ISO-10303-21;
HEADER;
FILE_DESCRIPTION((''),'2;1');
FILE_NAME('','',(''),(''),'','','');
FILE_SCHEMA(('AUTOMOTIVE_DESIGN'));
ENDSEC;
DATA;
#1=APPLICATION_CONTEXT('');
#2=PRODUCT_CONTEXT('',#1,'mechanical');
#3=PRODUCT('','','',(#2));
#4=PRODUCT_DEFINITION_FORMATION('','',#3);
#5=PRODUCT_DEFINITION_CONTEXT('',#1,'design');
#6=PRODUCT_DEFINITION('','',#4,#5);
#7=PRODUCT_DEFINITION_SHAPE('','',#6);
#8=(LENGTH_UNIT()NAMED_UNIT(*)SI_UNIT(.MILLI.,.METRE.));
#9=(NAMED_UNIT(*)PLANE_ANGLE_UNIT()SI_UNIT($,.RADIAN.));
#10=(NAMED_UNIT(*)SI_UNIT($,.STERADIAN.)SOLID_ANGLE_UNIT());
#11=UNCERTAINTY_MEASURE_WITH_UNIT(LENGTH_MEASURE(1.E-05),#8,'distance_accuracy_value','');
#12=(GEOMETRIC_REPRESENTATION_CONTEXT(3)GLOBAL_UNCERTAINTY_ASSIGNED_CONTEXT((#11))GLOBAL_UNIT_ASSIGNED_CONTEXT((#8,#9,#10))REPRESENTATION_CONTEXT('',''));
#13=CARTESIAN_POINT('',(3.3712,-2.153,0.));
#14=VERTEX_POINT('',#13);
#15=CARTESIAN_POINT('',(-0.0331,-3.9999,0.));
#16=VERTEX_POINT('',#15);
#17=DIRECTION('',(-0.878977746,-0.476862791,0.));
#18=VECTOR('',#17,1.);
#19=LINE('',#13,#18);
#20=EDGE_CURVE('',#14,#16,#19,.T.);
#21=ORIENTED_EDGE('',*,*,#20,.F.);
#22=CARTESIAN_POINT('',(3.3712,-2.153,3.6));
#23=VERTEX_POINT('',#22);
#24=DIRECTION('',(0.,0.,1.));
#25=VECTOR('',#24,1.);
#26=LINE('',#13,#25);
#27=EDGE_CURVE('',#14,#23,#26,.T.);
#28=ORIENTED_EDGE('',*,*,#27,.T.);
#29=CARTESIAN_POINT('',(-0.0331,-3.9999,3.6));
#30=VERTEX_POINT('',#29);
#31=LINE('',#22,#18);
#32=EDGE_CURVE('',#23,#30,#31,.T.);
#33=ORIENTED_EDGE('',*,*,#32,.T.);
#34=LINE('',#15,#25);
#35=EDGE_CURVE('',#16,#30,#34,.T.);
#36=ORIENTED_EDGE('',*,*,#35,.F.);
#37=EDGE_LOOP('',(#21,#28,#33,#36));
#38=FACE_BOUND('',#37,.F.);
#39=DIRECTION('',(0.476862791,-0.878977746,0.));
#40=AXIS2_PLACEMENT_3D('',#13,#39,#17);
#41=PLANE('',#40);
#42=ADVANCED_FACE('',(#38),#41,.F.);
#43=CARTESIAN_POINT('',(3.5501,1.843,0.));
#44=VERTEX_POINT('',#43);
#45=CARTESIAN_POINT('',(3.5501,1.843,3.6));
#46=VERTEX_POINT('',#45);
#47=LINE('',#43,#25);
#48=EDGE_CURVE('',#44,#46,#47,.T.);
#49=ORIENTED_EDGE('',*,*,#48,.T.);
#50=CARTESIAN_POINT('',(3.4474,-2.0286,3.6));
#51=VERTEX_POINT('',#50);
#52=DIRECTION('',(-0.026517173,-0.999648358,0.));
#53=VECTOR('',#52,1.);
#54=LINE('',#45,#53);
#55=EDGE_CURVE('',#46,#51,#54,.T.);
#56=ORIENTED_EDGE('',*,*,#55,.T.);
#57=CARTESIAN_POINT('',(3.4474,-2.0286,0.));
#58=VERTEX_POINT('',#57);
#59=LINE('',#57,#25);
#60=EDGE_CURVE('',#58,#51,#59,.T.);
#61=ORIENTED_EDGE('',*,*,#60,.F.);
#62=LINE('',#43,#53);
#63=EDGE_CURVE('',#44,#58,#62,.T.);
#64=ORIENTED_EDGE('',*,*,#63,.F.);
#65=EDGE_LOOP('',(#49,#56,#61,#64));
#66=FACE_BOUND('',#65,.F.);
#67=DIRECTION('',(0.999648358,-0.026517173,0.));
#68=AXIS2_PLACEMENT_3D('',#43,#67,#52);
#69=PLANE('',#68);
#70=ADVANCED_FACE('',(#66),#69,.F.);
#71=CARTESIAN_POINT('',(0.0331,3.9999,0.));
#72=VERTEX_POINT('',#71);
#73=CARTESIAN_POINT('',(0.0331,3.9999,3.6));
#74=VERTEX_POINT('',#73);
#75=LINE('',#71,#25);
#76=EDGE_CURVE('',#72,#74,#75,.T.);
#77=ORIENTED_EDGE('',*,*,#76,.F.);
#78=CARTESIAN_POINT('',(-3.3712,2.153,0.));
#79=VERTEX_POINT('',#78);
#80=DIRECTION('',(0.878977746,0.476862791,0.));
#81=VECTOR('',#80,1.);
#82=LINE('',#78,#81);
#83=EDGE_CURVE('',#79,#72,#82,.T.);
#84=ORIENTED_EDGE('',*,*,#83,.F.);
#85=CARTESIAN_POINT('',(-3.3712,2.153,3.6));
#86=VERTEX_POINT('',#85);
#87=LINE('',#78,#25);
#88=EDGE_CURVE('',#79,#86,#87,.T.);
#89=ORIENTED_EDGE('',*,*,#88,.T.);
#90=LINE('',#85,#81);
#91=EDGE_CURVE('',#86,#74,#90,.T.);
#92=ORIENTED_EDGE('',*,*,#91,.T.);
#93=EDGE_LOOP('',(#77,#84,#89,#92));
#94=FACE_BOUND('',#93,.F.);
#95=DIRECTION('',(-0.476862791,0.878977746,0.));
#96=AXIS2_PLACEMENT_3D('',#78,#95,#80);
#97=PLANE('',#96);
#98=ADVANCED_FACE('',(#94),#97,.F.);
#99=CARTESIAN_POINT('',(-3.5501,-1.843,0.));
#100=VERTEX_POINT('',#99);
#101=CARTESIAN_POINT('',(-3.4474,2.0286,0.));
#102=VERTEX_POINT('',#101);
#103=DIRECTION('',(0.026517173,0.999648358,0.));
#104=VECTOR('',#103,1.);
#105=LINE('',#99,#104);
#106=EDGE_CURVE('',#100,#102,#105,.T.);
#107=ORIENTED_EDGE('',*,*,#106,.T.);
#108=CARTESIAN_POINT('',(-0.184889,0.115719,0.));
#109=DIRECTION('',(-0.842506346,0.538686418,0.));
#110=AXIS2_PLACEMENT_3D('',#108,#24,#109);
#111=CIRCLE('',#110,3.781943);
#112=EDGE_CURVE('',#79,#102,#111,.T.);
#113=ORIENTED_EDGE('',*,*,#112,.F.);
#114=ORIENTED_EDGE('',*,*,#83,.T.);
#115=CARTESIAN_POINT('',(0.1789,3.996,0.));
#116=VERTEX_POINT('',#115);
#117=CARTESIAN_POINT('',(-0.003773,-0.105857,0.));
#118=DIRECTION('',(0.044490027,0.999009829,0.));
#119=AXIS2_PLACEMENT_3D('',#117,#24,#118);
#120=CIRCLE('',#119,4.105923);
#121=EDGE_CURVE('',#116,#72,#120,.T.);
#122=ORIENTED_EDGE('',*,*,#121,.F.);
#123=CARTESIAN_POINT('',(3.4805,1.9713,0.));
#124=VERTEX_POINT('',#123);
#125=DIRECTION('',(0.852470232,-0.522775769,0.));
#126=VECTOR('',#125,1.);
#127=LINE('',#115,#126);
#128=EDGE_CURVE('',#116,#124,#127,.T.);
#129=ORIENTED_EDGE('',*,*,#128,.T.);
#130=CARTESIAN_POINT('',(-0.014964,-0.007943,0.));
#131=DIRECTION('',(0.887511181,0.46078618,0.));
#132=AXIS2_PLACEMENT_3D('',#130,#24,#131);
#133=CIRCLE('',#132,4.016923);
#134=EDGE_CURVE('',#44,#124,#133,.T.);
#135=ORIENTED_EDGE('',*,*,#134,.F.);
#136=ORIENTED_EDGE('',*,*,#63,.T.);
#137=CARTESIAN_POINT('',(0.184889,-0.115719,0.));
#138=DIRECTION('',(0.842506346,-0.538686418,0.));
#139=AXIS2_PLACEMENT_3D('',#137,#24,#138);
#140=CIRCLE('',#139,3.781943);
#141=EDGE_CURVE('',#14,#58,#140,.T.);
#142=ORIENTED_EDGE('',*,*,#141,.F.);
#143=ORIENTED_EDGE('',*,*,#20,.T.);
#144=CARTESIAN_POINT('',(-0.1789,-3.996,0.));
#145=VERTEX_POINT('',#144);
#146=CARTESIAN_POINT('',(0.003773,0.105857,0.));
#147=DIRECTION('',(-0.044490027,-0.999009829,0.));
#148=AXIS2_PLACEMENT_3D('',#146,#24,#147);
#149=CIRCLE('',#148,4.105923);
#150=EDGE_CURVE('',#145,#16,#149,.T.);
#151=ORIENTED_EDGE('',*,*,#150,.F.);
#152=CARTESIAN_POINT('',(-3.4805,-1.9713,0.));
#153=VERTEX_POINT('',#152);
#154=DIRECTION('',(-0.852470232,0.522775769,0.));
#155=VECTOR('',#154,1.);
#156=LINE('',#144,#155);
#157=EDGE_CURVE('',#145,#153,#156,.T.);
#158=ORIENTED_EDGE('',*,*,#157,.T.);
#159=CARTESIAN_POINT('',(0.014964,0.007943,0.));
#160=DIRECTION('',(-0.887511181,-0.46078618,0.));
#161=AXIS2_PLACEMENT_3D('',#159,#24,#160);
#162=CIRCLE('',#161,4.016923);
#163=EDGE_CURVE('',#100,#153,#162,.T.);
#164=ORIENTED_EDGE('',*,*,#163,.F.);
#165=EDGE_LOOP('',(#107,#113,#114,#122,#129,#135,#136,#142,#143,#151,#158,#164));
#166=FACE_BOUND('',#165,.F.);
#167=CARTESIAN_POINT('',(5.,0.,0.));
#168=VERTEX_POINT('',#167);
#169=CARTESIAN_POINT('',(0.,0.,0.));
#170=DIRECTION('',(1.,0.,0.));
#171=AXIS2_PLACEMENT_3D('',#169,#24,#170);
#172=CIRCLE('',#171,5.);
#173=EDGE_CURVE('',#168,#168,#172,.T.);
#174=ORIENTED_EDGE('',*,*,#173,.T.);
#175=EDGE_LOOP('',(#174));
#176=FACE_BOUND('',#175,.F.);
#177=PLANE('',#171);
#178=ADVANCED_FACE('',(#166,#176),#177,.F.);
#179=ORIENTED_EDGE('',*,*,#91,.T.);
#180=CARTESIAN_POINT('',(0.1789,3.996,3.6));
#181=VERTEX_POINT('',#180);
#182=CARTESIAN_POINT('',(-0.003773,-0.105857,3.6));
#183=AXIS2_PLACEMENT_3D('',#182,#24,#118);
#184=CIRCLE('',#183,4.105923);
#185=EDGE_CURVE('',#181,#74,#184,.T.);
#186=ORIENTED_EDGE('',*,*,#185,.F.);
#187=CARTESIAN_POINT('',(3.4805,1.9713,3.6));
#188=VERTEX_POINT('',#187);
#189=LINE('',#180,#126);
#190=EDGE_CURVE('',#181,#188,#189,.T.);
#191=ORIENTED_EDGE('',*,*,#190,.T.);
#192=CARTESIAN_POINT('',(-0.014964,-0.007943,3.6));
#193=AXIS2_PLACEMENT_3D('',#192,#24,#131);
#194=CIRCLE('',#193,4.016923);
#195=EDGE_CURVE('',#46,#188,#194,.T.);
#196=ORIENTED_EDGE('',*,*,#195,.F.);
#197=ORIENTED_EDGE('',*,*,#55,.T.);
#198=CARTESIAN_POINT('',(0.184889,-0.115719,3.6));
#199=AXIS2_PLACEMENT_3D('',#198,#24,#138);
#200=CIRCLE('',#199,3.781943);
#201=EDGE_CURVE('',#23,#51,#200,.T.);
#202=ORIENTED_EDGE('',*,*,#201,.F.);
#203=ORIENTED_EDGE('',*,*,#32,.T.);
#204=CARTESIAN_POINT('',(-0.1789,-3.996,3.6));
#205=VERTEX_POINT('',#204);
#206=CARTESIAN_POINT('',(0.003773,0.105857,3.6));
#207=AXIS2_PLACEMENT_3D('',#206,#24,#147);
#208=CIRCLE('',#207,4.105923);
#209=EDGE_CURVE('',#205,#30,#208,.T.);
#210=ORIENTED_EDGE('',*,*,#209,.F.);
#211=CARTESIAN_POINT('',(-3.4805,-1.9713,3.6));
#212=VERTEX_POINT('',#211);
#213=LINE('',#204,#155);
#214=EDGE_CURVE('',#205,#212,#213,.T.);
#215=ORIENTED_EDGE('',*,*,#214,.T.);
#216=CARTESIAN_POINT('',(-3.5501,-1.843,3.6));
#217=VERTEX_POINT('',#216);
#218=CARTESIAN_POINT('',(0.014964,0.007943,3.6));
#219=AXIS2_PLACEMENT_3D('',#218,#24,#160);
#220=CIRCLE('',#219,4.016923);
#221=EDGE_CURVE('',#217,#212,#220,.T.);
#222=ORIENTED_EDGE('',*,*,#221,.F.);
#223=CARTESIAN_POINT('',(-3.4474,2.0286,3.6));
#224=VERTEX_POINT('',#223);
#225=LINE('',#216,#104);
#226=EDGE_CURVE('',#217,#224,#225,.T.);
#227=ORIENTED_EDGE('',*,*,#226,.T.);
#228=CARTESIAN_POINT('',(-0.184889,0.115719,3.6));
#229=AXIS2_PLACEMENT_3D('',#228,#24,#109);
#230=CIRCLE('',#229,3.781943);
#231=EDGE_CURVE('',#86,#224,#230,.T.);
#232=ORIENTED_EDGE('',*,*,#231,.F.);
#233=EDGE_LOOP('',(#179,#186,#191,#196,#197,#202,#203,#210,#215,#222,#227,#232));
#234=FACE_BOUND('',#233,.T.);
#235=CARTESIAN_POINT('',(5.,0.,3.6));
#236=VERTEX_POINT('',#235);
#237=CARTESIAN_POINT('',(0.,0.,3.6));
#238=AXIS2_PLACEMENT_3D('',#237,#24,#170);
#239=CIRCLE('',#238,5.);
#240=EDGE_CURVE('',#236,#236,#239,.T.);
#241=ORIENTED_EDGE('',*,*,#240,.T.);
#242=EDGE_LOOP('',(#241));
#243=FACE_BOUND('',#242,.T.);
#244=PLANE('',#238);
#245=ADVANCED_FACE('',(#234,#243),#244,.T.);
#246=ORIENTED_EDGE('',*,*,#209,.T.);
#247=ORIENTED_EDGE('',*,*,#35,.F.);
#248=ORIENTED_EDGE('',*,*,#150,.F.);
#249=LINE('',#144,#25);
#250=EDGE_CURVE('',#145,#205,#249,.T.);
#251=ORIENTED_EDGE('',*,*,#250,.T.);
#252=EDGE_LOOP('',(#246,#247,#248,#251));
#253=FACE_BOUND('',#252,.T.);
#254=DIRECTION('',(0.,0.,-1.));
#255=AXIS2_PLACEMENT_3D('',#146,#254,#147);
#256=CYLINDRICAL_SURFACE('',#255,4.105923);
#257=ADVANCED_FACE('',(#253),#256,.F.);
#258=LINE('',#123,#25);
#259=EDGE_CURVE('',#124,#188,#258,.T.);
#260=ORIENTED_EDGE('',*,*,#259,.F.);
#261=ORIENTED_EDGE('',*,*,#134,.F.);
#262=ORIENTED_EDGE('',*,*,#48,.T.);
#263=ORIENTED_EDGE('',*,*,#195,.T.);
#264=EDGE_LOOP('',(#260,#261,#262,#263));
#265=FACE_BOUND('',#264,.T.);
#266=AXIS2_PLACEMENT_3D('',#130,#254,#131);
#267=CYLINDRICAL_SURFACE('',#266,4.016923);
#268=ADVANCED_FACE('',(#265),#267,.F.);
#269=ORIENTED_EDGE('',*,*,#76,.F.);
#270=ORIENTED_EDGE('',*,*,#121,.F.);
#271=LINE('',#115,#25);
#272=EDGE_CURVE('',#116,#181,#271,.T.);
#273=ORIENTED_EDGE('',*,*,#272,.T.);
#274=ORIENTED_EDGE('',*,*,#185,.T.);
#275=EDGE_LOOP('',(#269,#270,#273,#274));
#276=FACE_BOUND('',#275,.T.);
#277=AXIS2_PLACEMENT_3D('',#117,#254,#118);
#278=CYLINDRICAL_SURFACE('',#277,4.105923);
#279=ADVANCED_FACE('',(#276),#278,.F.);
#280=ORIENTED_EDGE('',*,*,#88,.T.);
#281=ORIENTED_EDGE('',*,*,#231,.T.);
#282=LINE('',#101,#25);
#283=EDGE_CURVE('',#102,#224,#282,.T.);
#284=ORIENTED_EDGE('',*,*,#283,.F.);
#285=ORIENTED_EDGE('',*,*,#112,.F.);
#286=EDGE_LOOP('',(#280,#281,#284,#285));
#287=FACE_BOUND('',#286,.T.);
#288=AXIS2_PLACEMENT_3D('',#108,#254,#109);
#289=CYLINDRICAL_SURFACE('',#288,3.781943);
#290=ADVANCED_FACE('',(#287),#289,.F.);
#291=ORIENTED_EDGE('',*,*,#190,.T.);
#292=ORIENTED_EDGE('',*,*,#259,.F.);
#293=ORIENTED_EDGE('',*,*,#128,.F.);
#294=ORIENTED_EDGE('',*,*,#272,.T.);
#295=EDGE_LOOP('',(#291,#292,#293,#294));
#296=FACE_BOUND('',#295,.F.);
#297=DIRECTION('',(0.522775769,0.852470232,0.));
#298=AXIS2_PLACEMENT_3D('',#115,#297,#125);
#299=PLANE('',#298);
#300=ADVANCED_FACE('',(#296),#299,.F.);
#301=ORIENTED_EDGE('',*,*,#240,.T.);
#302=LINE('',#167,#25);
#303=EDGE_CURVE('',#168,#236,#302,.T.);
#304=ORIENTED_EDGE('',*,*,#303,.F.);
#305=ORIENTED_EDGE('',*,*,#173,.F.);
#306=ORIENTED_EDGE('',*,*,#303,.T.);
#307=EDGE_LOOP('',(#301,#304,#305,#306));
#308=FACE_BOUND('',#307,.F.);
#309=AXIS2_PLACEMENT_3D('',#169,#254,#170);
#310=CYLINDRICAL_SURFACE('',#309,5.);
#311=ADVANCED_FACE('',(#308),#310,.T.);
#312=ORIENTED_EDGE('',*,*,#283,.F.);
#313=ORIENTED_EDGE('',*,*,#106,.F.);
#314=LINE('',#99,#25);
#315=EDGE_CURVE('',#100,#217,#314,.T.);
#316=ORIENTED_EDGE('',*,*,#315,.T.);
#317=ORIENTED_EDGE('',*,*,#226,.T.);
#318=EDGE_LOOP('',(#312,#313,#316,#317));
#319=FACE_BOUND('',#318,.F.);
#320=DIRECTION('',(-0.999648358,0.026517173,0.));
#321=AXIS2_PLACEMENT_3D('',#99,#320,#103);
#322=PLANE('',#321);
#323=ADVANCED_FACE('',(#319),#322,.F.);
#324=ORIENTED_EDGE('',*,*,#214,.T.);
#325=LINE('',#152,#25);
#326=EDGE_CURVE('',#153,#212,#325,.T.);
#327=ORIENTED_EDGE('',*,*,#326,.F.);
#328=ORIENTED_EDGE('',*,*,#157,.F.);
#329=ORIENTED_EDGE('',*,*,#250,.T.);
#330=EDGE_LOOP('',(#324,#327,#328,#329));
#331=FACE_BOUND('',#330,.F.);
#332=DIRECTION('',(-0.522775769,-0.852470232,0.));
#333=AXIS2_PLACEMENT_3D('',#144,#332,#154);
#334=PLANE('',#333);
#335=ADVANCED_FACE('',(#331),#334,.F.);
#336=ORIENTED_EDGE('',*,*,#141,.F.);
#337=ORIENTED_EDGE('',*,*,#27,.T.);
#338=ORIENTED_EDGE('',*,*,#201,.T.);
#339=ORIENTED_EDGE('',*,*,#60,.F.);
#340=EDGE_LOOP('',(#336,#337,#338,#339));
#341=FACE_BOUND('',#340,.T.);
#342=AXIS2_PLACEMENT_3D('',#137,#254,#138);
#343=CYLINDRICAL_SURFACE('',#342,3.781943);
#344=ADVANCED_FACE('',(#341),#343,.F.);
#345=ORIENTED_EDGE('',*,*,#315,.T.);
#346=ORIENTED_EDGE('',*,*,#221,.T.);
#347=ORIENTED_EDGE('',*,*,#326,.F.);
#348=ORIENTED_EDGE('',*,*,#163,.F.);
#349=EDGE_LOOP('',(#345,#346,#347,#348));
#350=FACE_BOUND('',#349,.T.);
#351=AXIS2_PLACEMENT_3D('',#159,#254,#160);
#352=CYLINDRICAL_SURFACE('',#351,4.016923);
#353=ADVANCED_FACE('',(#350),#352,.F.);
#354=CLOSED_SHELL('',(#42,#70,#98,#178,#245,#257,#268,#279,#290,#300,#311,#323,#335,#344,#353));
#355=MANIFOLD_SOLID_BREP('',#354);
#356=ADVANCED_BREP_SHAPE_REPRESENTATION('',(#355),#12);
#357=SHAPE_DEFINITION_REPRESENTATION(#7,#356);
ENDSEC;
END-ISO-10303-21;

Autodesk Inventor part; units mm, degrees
ref_plane "YZ Plane" through (0, 0, 0) normal (1, 0, 0) x (0, 1, 0)
ref_plane "XZ Plane" through (0, 0, 0) normal (0, 1, 0) x (-1, 0, 0)
sketch "Sketch1" plane through (0, 0, 0) normal (0, 0, 1) x (1, 0, 0)
  circle A0 centre (0, 0) radius 1.525
  line L0 (3.3712, -2.153) -> (-0.0331, -3.9999)
  arc A1 (-0.1789, -3.996) -> (-0.0331, -3.9999) centre (0, 0) ccw
  line L1 (-0.1789, -3.996) -> (-3.4805, -1.9713)
  arc A2 (-3.5501, -1.843) -> (-3.4805, -1.9713) centre (0, 0) ccw
  line L2 (-3.5501, -1.843) -> (-3.4474, 2.0286)
  arc A3 (-3.3712, 2.153) -> (-3.4474, 2.0286) centre (0, 0) ccw
  line L3 (-3.3712, 2.153) -> (0.0331, 3.9999)
  arc A4 (0.1789, 3.996) -> (0.0331, 3.9999) centre (0, 0) ccw
  line L4 (0.1789, 3.996) -> (3.4805, 1.9713)
  arc A5 (3.5501, 1.843) -> (3.4805, 1.9713) centre (0, 0) ccw
  line L5 (3.5501, 1.843) -> (3.4474, -2.0286)
  arc A6 (3.3712, -2.153) -> (3.4474, -2.0286) centre (0, 0) ccw
  circle A7 centre (0, 0) radius 5
  point P0 (0, 0)
  dimension "d0" = 10
ref_plane "Work Plane1" through (-10.187, -10.187, 3.6) normal (0, 0, -1) x (0.5228, 0.8525, 0)
extrude "Extrusion1" add sketch "Sketch1" along normal up to surface (3.6 mm away) contours A7
properties part number "Servo_Spacer"
